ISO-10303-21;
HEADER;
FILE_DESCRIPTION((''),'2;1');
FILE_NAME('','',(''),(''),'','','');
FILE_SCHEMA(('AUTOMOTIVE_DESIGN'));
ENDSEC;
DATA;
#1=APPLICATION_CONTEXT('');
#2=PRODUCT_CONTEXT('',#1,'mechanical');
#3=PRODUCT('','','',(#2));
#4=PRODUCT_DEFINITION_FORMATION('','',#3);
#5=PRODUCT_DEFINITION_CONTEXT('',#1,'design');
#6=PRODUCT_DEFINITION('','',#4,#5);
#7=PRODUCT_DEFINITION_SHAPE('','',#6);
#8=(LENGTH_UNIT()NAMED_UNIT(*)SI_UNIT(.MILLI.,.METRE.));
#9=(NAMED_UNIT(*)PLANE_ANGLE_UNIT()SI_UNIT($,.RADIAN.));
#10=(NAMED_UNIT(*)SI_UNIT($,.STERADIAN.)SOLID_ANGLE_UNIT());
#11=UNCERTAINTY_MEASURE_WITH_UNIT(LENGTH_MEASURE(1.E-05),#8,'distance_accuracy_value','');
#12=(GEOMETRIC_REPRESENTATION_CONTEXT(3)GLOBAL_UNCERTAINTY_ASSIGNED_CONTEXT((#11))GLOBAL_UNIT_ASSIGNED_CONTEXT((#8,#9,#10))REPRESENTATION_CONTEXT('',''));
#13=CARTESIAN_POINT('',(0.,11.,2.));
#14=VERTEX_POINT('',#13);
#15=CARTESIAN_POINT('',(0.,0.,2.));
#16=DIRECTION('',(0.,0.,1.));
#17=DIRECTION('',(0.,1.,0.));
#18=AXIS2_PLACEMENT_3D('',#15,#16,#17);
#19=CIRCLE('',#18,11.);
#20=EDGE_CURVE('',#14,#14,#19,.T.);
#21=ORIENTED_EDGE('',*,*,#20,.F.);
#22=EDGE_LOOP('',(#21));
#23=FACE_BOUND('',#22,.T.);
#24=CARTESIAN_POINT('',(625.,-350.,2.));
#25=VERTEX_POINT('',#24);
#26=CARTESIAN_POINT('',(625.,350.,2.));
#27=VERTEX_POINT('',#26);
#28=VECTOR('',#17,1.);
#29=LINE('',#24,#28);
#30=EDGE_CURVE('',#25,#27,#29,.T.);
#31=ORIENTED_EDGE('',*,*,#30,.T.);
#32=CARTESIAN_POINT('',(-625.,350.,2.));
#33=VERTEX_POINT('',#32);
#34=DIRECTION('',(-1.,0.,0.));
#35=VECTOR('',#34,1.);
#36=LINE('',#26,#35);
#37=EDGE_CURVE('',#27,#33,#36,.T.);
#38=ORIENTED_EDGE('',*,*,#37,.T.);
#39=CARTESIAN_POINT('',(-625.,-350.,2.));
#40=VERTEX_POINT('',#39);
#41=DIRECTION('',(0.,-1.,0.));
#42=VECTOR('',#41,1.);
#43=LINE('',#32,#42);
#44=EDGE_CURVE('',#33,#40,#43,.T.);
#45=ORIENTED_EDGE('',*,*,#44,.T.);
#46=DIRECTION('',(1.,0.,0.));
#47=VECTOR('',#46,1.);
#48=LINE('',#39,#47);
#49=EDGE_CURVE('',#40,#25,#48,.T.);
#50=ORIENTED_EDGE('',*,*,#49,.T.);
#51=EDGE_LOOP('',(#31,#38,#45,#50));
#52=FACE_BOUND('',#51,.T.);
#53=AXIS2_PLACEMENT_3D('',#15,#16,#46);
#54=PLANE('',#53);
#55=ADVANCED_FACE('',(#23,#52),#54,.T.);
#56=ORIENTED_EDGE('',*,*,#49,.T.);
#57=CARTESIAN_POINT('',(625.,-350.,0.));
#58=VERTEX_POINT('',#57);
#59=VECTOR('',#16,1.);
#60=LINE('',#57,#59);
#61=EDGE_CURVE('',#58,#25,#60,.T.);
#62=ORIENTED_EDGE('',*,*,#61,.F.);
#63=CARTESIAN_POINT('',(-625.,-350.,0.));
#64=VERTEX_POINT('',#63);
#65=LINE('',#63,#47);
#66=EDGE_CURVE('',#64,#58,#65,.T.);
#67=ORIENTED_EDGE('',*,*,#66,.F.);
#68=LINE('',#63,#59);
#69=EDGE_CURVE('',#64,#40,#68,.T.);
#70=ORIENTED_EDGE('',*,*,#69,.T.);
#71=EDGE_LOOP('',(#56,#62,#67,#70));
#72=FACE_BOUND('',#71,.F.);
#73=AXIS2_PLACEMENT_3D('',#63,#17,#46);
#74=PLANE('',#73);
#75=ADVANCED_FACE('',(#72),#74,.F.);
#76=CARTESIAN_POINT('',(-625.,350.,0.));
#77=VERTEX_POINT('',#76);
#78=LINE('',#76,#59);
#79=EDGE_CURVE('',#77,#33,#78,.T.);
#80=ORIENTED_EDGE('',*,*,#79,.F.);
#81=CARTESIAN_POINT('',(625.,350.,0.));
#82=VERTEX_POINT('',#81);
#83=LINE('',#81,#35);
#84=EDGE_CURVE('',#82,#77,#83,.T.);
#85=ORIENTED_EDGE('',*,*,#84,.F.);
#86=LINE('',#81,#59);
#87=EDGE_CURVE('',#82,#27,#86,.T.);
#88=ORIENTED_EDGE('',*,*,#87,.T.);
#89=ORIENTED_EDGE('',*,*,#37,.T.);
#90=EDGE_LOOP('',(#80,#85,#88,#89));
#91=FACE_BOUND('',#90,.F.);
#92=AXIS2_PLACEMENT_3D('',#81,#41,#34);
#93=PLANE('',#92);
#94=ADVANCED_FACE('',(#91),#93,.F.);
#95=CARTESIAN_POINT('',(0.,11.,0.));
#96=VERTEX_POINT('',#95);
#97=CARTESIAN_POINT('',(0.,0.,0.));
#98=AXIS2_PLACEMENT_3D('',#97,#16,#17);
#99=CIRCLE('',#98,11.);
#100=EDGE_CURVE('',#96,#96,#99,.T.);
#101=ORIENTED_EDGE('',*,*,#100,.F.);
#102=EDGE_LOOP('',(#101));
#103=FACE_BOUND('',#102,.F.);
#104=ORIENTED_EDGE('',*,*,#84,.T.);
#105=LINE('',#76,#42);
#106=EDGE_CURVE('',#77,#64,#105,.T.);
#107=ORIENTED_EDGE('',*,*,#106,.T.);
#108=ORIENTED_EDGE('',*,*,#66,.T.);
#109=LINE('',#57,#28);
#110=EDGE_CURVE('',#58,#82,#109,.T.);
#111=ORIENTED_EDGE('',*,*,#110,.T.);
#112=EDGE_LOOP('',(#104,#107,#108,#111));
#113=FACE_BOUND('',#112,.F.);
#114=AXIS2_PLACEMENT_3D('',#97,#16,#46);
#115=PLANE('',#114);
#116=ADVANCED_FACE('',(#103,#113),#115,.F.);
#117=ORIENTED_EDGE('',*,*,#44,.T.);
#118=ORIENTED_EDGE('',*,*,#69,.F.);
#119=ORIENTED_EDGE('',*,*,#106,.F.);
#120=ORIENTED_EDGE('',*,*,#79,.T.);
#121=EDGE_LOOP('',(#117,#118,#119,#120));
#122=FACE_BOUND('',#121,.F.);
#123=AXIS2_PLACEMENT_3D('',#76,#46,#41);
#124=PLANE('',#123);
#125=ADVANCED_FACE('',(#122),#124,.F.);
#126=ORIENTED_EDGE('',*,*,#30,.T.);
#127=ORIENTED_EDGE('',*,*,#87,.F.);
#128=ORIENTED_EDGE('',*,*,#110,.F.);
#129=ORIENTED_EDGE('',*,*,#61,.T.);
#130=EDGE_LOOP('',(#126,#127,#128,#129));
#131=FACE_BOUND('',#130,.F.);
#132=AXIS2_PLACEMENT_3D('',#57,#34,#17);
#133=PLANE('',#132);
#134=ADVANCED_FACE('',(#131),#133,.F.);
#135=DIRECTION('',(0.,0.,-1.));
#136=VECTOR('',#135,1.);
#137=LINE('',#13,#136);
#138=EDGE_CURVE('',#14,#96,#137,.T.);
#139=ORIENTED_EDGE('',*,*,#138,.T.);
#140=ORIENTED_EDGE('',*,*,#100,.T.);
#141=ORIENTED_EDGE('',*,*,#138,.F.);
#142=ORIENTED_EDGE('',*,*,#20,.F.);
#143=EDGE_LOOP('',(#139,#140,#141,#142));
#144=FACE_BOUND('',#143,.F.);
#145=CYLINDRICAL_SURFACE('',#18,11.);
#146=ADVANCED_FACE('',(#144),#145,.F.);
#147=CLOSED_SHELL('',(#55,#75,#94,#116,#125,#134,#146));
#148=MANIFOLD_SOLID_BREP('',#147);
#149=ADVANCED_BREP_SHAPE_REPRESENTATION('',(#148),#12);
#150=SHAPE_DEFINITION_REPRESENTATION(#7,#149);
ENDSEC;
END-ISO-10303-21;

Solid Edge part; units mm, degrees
sketch "Sketch1" plane through (0, 0, 0) normal (0, 0, 1) x (1, 0, 0)
  line L0 (-625, -350) -> (625, -350)
  line L1 (625, -350) -> (625, 350)
  line L2 (625, 350) -> (-625, 350)
  line L3 (-625, 350) -> (-625, -350)
extrude "Protrusion1" add sketch "Sketch1" along normal blind 2
sketch "Sketch2" plane through (0, 0, 2) normal (0, 0, 1) x (0, 1, 0)
  circle A0 centre (0, 0) radius 11
extrude "ExtrudedCutout_1" cut sketch "Sketch2" against normal blind 79.9444
properties material "Aluminum, 1060"
